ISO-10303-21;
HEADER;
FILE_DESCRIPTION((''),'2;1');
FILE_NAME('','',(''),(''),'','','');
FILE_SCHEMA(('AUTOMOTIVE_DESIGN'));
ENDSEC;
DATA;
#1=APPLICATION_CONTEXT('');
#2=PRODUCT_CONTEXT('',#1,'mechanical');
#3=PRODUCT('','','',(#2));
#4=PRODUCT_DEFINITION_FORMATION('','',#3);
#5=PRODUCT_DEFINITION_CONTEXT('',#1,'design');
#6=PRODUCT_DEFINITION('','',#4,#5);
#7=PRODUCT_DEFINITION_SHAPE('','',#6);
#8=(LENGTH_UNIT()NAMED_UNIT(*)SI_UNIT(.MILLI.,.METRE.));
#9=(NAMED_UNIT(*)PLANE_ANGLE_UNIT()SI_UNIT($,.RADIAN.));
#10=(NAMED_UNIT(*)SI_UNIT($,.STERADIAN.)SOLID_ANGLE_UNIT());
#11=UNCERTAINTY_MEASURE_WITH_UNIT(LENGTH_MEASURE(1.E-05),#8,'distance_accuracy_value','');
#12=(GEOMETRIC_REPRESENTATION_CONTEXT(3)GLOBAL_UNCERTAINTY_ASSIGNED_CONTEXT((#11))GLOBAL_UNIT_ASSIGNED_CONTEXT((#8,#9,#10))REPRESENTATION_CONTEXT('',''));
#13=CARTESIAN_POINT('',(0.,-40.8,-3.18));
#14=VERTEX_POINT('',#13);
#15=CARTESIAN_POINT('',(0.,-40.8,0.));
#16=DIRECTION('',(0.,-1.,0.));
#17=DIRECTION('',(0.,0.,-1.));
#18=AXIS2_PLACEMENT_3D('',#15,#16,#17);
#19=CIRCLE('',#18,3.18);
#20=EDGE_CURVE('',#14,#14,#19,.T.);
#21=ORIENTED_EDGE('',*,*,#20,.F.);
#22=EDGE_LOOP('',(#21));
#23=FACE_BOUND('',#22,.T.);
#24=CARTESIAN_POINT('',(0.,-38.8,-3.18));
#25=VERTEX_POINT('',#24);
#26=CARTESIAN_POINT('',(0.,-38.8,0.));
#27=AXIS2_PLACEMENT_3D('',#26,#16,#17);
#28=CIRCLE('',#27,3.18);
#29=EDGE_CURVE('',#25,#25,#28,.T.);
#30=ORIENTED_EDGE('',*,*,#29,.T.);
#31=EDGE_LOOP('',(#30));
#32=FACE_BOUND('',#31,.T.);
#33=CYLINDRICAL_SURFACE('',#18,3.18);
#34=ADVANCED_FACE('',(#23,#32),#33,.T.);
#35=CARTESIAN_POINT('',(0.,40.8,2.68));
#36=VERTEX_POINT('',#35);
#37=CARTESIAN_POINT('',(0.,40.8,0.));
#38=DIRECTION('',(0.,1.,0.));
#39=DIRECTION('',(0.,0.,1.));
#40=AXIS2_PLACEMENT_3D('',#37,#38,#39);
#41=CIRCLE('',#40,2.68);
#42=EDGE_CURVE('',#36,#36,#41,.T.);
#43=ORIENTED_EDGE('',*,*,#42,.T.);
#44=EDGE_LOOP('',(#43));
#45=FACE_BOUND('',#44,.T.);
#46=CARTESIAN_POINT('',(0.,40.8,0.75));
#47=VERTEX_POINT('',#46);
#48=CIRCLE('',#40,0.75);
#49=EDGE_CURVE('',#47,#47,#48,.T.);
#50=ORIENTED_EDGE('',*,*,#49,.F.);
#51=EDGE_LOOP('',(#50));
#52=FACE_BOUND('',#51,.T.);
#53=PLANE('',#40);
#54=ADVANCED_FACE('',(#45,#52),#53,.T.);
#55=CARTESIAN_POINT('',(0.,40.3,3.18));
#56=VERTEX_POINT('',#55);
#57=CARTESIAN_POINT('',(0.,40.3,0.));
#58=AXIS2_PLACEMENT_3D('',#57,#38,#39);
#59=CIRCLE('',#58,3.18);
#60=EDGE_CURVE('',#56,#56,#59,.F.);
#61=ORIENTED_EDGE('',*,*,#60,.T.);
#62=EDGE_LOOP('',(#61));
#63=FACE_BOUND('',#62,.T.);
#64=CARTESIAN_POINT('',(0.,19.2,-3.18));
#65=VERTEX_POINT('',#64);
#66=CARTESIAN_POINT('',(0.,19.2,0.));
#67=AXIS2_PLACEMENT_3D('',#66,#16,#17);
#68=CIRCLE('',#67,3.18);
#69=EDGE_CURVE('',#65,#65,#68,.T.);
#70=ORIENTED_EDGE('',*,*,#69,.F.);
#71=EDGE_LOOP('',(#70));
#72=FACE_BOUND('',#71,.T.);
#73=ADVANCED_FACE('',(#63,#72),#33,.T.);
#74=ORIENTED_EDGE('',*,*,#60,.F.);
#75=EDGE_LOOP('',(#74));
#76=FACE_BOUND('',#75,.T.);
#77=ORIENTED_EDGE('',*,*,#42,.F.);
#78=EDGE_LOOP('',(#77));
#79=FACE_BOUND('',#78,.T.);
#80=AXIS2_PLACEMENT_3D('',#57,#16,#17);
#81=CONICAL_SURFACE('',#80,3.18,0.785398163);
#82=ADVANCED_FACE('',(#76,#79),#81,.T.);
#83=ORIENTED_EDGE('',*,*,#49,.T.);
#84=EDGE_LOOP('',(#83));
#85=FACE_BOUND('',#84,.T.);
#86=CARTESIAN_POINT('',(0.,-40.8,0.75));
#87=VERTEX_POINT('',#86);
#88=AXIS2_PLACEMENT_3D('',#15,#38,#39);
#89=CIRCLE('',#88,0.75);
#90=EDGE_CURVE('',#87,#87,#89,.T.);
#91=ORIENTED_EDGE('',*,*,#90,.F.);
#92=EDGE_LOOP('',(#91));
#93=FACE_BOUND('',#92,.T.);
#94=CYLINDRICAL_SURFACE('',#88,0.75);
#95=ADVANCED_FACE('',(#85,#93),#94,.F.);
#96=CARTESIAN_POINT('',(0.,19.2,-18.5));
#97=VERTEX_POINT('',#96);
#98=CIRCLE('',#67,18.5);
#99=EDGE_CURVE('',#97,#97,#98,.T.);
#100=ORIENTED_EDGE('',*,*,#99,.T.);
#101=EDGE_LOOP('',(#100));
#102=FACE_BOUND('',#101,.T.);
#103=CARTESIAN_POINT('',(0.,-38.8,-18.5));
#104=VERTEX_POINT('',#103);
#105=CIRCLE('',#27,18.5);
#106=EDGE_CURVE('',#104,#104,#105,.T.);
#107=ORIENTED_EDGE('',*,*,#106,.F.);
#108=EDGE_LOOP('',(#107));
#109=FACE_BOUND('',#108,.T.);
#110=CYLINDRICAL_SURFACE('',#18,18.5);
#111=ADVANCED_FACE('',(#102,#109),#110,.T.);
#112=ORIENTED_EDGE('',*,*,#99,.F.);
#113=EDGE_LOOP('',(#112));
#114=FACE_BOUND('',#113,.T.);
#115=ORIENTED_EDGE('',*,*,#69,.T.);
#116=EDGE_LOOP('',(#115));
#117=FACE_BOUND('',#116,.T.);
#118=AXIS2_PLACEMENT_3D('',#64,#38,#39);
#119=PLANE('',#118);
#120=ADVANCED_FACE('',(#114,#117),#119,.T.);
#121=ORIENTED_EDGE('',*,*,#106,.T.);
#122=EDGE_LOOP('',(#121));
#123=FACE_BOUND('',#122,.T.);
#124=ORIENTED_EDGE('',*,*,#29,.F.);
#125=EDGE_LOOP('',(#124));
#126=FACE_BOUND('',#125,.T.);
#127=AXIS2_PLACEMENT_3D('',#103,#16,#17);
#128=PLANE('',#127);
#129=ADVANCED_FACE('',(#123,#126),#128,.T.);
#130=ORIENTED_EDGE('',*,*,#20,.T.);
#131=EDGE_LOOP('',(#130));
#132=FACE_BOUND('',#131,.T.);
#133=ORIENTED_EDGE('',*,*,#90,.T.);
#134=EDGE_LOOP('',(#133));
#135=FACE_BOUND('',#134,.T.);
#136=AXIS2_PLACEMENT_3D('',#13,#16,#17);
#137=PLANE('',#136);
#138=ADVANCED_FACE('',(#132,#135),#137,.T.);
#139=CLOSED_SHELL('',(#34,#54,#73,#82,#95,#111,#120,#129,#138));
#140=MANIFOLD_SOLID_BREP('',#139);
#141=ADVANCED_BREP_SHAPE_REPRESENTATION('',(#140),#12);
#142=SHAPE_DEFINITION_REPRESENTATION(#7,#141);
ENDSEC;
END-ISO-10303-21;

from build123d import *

# Parameters (mm, degrees)
CHAMFER1_SIZE      = 0.5
SKETCH3_R          = 0.75
CUT_EXTRUDE2_DEPTH = 86.691656537


with BuildPart() as part:
    # Sketch1 → Revolve1 (revolve)
    with BuildSketch(Plane(origin=(0, 0, 0), x_dir=(0, 0, -1), z_dir=(1, 0, 0))):
        Polygon((0, -40.8), (0, 40.8), (3.18, 40.8), (3.18, 19.2), (18.5, 19.2), (18.5, -38.8), (3.18, -38.8), (3.18, -40.8), align=None)
    revolve(axis=Axis((0, -40.8, 0), (0, 1, 0)))

    # Chamfer1
    chamfer1_edges = [part.edges().sort_by_distance(p)[0] for p in [
        (0, 40.8, 3.18),
    ]]
    chamfer(chamfer1_edges, length=CHAMFER1_SIZE)

    # Sketch3 → Cut-Extrude2 (cut, through all)
    with BuildSketch(Plane(origin=(0, 40.8, 0), x_dir=(1, 0, 0), z_dir=(0, 1, 0))):
        with Locations(Location((0, 0, 0), (0, 0, 270))):
            Circle(SKETCH3_R)
    extrude(amount=-CUT_EXTRUDE2_DEPTH, mode=Mode.SUBTRACT)


solid = part.part
